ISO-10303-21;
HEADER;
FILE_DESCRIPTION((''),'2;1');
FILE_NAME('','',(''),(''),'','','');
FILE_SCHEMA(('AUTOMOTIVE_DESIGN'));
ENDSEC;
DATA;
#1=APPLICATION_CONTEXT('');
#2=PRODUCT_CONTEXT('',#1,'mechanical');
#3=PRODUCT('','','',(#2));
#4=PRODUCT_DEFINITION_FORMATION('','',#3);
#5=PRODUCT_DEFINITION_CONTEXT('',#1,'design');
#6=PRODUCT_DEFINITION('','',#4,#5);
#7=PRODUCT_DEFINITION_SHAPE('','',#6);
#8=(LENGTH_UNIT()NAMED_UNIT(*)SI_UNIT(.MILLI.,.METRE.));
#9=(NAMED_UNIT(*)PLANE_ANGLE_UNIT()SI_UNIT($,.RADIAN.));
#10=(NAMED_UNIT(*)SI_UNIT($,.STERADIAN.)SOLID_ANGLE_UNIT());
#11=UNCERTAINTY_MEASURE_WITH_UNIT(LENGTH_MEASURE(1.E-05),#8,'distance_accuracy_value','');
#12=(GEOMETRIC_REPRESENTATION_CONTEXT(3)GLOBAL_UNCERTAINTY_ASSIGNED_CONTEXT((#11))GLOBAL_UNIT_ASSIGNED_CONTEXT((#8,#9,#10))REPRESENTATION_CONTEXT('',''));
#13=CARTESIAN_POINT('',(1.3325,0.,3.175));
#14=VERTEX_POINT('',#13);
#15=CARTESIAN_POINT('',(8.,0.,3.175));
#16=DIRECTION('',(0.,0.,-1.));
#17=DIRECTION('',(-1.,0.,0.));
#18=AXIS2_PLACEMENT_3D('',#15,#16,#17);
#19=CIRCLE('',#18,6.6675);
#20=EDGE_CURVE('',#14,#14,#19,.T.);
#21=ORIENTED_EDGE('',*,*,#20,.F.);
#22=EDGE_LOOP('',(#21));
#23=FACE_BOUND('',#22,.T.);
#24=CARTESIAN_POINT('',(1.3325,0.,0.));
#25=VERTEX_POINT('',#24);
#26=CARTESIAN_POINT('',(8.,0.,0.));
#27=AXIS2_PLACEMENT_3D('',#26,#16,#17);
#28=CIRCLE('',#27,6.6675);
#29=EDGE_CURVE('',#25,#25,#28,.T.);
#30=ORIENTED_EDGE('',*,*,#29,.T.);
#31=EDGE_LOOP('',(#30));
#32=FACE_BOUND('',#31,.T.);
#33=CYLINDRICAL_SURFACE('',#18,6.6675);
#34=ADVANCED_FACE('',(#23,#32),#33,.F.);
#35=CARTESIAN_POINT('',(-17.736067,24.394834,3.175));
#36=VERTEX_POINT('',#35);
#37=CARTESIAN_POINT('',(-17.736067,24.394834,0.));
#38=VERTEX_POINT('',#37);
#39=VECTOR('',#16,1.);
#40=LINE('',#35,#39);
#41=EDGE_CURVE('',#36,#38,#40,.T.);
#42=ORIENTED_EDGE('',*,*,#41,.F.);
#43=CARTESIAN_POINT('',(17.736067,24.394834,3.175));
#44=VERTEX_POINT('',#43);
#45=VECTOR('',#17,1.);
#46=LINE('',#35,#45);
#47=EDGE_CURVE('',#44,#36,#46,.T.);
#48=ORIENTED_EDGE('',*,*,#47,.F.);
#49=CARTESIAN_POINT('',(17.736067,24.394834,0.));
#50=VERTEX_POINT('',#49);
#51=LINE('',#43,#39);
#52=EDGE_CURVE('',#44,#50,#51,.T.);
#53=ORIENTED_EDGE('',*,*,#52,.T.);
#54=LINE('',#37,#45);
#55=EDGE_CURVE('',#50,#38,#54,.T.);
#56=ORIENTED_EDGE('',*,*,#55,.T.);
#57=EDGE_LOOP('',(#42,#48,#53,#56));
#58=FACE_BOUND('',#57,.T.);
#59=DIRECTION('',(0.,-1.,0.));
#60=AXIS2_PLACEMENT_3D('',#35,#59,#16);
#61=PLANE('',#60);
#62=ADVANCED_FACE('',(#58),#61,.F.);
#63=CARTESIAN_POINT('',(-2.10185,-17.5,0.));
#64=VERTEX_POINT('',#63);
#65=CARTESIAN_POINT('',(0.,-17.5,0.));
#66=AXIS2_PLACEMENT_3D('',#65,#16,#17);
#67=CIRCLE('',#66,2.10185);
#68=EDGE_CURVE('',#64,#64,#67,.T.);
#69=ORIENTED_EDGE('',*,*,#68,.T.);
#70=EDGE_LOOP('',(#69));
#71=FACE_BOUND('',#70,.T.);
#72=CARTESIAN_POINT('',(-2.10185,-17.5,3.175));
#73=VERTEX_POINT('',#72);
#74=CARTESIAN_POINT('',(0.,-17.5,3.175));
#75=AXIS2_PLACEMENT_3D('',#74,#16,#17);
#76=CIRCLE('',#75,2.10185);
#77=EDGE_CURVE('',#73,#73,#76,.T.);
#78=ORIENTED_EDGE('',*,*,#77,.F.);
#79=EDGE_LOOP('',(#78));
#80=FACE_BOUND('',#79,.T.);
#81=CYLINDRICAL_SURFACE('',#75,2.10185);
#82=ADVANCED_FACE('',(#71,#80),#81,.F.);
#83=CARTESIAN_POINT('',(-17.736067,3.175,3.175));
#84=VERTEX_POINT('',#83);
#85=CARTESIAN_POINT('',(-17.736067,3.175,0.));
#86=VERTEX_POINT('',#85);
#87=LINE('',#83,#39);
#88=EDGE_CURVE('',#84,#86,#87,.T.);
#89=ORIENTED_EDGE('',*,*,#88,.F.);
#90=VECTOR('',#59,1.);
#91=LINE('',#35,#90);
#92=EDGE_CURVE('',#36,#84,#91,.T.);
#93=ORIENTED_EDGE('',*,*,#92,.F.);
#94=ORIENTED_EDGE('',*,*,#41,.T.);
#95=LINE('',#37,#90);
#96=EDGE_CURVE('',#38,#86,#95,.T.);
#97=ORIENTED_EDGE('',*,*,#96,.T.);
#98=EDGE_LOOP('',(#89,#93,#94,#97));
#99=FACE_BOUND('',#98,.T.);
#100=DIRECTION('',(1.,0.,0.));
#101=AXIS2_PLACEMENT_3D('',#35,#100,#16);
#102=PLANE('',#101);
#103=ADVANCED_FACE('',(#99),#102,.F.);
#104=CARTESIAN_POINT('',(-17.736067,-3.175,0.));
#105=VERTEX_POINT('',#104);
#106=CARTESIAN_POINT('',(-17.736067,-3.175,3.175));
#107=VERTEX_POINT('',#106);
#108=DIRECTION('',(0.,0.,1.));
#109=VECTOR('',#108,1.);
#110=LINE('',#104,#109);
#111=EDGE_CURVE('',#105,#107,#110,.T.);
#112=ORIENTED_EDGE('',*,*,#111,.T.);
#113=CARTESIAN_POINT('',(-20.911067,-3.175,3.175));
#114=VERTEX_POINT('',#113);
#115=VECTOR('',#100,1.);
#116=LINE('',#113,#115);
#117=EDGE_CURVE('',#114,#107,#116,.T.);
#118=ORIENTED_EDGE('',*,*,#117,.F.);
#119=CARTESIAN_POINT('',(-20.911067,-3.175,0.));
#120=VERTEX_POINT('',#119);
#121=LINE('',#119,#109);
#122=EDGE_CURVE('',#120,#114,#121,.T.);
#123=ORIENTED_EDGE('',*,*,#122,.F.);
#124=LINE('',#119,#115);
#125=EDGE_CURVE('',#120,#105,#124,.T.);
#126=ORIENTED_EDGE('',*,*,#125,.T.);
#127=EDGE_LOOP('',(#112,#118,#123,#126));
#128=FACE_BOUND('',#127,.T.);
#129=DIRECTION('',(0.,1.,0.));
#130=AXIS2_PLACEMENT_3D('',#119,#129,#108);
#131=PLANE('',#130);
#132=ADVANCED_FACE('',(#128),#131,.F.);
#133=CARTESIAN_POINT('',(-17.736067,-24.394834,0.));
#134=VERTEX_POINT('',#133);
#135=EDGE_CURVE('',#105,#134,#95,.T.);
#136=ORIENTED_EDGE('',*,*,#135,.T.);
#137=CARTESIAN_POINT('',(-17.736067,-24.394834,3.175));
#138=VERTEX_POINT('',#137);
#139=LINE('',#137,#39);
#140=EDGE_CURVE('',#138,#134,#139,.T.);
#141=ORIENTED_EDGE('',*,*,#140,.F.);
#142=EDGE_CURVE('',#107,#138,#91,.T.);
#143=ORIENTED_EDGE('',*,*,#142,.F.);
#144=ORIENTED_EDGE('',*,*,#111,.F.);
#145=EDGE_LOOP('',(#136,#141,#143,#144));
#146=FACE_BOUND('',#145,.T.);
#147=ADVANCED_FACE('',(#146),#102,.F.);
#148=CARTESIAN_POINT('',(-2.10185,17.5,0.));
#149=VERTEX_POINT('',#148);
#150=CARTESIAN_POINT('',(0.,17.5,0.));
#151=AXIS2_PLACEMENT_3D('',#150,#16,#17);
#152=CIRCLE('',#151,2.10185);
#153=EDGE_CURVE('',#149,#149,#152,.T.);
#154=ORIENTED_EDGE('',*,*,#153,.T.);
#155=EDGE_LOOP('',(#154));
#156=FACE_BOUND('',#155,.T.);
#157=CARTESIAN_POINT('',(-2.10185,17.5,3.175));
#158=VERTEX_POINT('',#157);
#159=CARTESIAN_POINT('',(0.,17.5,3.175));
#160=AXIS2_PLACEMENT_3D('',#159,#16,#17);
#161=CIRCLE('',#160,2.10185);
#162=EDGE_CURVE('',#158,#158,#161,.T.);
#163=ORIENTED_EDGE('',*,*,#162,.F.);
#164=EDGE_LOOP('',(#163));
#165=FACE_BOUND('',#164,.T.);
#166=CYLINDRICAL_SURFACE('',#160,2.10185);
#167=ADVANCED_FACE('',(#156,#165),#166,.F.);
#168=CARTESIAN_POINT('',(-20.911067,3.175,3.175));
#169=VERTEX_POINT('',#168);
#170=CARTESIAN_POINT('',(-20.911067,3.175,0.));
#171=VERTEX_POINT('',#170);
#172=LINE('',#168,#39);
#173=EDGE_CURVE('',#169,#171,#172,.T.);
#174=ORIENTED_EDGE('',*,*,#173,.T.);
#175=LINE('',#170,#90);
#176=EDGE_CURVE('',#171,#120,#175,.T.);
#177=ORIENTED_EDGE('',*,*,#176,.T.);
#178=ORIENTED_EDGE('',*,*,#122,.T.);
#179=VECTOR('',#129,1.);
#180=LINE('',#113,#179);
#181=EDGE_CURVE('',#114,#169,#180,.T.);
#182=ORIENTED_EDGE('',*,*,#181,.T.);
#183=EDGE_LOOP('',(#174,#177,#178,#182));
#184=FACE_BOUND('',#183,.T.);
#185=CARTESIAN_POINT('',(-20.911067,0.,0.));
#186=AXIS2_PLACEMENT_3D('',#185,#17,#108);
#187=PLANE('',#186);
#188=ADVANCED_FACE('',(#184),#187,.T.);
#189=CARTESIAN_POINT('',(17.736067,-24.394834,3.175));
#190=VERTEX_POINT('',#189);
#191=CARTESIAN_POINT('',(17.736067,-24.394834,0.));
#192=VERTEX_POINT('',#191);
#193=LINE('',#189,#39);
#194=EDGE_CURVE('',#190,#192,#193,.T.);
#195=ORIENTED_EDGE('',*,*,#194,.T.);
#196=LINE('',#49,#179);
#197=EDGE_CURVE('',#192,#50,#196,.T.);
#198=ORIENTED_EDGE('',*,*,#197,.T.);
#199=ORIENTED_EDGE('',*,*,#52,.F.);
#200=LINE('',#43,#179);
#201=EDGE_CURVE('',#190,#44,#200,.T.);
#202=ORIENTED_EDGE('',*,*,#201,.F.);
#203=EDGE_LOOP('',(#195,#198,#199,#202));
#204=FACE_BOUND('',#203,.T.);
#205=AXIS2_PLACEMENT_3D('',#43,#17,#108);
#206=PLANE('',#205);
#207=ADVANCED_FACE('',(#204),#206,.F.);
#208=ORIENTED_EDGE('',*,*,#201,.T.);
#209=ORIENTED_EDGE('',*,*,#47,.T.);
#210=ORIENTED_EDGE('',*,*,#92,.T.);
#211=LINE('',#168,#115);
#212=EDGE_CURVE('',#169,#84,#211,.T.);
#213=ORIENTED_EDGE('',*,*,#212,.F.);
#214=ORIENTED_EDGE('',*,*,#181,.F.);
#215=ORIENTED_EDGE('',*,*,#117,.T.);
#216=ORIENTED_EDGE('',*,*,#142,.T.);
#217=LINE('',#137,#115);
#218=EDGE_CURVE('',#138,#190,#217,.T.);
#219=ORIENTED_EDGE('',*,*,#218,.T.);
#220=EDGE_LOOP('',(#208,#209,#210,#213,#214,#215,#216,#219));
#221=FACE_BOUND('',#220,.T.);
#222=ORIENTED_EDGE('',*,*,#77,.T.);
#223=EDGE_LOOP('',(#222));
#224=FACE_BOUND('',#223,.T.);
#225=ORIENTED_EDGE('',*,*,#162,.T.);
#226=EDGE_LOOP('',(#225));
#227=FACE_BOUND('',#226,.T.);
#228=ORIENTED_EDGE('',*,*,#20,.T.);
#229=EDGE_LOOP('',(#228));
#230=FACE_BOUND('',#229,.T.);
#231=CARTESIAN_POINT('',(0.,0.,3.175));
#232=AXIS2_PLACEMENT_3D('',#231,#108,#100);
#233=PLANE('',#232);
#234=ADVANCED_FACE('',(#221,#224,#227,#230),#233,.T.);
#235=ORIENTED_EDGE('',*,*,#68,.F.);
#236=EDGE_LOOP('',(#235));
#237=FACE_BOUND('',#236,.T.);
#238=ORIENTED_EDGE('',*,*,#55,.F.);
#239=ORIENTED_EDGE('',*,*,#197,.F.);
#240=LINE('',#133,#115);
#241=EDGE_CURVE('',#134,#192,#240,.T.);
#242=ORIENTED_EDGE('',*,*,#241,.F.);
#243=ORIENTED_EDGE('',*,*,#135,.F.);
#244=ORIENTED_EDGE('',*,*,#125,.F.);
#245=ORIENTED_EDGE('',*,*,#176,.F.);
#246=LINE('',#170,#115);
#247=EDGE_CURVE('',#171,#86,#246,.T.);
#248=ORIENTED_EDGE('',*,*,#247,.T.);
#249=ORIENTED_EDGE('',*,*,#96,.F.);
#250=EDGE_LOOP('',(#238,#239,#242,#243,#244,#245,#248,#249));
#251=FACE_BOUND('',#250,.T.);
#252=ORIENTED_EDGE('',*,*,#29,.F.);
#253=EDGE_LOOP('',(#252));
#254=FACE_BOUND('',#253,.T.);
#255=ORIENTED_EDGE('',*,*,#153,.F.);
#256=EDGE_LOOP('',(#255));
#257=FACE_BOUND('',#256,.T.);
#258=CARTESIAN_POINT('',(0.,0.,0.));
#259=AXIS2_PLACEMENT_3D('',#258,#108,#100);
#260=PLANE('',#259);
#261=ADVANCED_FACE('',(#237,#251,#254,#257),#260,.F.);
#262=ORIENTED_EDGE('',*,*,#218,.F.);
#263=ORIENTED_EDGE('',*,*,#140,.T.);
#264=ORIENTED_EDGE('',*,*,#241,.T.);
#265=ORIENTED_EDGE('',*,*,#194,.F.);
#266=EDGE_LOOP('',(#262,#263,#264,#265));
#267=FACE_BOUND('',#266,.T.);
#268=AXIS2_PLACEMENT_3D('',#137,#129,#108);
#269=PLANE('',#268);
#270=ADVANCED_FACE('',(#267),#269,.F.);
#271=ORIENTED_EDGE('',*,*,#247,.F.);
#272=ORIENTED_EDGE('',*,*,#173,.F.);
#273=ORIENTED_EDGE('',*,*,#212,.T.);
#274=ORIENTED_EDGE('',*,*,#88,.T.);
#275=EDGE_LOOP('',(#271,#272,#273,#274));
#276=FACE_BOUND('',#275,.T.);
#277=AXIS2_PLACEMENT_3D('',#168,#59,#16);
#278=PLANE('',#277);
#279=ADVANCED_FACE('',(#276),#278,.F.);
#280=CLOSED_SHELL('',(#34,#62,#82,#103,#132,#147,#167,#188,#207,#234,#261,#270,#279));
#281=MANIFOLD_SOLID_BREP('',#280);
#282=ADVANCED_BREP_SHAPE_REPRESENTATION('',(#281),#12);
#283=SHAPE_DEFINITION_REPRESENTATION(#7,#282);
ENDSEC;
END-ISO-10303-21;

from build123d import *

# Parameters (mm, degrees)
SKETCH1_W           = 35.47213452
SKETCH1_H           = 48.789667988
BOSS_EXTRUDE1_DEPTH = 3.175
SKETCH2_R           = 2.10185
SKETCH2_R_2         = 6.6675
CUT_EXTRUDE1_DEPTH  = 31.327489716
BOSS_EXTRUDE2_DEPTH = 3.175


with BuildPart() as part:
    # Sketch1 → Boss-Extrude1 (new body)
    with BuildSketch(Plane.XY):
        Rectangle(SKETCH1_W, SKETCH1_H)
    extrude(amount=BOSS_EXTRUDE1_DEPTH)

    # Sketch2 → Cut-Extrude1 (cut, through all)
    with BuildSketch(Plane(origin=(0, 0, 0), x_dir=(-1, 0, 0), z_dir=(0, 0, -1))):
        with Locations((0, 17.5)):
            Circle(SKETCH2_R)
        with Locations((0, -17.5)):
            Circle(SKETCH2_R)
        with Locations((-8, 0)):
            Circle(SKETCH2_R_2)
    extrude(amount=-CUT_EXTRUDE1_DEPTH, mode=Mode.SUBTRACT)

    # Sketch3 → Boss-Extrude2 (add)
    with BuildSketch(Plane.ZY.offset(17.73606726)):
        Polygon((0, 0), (0, -3.175), (3.175, -3.175), (3.175, 3.175), (0, 3.175), align=None)
    extrude(amount=BOSS_EXTRUDE2_DEPTH)


solid = part.part
